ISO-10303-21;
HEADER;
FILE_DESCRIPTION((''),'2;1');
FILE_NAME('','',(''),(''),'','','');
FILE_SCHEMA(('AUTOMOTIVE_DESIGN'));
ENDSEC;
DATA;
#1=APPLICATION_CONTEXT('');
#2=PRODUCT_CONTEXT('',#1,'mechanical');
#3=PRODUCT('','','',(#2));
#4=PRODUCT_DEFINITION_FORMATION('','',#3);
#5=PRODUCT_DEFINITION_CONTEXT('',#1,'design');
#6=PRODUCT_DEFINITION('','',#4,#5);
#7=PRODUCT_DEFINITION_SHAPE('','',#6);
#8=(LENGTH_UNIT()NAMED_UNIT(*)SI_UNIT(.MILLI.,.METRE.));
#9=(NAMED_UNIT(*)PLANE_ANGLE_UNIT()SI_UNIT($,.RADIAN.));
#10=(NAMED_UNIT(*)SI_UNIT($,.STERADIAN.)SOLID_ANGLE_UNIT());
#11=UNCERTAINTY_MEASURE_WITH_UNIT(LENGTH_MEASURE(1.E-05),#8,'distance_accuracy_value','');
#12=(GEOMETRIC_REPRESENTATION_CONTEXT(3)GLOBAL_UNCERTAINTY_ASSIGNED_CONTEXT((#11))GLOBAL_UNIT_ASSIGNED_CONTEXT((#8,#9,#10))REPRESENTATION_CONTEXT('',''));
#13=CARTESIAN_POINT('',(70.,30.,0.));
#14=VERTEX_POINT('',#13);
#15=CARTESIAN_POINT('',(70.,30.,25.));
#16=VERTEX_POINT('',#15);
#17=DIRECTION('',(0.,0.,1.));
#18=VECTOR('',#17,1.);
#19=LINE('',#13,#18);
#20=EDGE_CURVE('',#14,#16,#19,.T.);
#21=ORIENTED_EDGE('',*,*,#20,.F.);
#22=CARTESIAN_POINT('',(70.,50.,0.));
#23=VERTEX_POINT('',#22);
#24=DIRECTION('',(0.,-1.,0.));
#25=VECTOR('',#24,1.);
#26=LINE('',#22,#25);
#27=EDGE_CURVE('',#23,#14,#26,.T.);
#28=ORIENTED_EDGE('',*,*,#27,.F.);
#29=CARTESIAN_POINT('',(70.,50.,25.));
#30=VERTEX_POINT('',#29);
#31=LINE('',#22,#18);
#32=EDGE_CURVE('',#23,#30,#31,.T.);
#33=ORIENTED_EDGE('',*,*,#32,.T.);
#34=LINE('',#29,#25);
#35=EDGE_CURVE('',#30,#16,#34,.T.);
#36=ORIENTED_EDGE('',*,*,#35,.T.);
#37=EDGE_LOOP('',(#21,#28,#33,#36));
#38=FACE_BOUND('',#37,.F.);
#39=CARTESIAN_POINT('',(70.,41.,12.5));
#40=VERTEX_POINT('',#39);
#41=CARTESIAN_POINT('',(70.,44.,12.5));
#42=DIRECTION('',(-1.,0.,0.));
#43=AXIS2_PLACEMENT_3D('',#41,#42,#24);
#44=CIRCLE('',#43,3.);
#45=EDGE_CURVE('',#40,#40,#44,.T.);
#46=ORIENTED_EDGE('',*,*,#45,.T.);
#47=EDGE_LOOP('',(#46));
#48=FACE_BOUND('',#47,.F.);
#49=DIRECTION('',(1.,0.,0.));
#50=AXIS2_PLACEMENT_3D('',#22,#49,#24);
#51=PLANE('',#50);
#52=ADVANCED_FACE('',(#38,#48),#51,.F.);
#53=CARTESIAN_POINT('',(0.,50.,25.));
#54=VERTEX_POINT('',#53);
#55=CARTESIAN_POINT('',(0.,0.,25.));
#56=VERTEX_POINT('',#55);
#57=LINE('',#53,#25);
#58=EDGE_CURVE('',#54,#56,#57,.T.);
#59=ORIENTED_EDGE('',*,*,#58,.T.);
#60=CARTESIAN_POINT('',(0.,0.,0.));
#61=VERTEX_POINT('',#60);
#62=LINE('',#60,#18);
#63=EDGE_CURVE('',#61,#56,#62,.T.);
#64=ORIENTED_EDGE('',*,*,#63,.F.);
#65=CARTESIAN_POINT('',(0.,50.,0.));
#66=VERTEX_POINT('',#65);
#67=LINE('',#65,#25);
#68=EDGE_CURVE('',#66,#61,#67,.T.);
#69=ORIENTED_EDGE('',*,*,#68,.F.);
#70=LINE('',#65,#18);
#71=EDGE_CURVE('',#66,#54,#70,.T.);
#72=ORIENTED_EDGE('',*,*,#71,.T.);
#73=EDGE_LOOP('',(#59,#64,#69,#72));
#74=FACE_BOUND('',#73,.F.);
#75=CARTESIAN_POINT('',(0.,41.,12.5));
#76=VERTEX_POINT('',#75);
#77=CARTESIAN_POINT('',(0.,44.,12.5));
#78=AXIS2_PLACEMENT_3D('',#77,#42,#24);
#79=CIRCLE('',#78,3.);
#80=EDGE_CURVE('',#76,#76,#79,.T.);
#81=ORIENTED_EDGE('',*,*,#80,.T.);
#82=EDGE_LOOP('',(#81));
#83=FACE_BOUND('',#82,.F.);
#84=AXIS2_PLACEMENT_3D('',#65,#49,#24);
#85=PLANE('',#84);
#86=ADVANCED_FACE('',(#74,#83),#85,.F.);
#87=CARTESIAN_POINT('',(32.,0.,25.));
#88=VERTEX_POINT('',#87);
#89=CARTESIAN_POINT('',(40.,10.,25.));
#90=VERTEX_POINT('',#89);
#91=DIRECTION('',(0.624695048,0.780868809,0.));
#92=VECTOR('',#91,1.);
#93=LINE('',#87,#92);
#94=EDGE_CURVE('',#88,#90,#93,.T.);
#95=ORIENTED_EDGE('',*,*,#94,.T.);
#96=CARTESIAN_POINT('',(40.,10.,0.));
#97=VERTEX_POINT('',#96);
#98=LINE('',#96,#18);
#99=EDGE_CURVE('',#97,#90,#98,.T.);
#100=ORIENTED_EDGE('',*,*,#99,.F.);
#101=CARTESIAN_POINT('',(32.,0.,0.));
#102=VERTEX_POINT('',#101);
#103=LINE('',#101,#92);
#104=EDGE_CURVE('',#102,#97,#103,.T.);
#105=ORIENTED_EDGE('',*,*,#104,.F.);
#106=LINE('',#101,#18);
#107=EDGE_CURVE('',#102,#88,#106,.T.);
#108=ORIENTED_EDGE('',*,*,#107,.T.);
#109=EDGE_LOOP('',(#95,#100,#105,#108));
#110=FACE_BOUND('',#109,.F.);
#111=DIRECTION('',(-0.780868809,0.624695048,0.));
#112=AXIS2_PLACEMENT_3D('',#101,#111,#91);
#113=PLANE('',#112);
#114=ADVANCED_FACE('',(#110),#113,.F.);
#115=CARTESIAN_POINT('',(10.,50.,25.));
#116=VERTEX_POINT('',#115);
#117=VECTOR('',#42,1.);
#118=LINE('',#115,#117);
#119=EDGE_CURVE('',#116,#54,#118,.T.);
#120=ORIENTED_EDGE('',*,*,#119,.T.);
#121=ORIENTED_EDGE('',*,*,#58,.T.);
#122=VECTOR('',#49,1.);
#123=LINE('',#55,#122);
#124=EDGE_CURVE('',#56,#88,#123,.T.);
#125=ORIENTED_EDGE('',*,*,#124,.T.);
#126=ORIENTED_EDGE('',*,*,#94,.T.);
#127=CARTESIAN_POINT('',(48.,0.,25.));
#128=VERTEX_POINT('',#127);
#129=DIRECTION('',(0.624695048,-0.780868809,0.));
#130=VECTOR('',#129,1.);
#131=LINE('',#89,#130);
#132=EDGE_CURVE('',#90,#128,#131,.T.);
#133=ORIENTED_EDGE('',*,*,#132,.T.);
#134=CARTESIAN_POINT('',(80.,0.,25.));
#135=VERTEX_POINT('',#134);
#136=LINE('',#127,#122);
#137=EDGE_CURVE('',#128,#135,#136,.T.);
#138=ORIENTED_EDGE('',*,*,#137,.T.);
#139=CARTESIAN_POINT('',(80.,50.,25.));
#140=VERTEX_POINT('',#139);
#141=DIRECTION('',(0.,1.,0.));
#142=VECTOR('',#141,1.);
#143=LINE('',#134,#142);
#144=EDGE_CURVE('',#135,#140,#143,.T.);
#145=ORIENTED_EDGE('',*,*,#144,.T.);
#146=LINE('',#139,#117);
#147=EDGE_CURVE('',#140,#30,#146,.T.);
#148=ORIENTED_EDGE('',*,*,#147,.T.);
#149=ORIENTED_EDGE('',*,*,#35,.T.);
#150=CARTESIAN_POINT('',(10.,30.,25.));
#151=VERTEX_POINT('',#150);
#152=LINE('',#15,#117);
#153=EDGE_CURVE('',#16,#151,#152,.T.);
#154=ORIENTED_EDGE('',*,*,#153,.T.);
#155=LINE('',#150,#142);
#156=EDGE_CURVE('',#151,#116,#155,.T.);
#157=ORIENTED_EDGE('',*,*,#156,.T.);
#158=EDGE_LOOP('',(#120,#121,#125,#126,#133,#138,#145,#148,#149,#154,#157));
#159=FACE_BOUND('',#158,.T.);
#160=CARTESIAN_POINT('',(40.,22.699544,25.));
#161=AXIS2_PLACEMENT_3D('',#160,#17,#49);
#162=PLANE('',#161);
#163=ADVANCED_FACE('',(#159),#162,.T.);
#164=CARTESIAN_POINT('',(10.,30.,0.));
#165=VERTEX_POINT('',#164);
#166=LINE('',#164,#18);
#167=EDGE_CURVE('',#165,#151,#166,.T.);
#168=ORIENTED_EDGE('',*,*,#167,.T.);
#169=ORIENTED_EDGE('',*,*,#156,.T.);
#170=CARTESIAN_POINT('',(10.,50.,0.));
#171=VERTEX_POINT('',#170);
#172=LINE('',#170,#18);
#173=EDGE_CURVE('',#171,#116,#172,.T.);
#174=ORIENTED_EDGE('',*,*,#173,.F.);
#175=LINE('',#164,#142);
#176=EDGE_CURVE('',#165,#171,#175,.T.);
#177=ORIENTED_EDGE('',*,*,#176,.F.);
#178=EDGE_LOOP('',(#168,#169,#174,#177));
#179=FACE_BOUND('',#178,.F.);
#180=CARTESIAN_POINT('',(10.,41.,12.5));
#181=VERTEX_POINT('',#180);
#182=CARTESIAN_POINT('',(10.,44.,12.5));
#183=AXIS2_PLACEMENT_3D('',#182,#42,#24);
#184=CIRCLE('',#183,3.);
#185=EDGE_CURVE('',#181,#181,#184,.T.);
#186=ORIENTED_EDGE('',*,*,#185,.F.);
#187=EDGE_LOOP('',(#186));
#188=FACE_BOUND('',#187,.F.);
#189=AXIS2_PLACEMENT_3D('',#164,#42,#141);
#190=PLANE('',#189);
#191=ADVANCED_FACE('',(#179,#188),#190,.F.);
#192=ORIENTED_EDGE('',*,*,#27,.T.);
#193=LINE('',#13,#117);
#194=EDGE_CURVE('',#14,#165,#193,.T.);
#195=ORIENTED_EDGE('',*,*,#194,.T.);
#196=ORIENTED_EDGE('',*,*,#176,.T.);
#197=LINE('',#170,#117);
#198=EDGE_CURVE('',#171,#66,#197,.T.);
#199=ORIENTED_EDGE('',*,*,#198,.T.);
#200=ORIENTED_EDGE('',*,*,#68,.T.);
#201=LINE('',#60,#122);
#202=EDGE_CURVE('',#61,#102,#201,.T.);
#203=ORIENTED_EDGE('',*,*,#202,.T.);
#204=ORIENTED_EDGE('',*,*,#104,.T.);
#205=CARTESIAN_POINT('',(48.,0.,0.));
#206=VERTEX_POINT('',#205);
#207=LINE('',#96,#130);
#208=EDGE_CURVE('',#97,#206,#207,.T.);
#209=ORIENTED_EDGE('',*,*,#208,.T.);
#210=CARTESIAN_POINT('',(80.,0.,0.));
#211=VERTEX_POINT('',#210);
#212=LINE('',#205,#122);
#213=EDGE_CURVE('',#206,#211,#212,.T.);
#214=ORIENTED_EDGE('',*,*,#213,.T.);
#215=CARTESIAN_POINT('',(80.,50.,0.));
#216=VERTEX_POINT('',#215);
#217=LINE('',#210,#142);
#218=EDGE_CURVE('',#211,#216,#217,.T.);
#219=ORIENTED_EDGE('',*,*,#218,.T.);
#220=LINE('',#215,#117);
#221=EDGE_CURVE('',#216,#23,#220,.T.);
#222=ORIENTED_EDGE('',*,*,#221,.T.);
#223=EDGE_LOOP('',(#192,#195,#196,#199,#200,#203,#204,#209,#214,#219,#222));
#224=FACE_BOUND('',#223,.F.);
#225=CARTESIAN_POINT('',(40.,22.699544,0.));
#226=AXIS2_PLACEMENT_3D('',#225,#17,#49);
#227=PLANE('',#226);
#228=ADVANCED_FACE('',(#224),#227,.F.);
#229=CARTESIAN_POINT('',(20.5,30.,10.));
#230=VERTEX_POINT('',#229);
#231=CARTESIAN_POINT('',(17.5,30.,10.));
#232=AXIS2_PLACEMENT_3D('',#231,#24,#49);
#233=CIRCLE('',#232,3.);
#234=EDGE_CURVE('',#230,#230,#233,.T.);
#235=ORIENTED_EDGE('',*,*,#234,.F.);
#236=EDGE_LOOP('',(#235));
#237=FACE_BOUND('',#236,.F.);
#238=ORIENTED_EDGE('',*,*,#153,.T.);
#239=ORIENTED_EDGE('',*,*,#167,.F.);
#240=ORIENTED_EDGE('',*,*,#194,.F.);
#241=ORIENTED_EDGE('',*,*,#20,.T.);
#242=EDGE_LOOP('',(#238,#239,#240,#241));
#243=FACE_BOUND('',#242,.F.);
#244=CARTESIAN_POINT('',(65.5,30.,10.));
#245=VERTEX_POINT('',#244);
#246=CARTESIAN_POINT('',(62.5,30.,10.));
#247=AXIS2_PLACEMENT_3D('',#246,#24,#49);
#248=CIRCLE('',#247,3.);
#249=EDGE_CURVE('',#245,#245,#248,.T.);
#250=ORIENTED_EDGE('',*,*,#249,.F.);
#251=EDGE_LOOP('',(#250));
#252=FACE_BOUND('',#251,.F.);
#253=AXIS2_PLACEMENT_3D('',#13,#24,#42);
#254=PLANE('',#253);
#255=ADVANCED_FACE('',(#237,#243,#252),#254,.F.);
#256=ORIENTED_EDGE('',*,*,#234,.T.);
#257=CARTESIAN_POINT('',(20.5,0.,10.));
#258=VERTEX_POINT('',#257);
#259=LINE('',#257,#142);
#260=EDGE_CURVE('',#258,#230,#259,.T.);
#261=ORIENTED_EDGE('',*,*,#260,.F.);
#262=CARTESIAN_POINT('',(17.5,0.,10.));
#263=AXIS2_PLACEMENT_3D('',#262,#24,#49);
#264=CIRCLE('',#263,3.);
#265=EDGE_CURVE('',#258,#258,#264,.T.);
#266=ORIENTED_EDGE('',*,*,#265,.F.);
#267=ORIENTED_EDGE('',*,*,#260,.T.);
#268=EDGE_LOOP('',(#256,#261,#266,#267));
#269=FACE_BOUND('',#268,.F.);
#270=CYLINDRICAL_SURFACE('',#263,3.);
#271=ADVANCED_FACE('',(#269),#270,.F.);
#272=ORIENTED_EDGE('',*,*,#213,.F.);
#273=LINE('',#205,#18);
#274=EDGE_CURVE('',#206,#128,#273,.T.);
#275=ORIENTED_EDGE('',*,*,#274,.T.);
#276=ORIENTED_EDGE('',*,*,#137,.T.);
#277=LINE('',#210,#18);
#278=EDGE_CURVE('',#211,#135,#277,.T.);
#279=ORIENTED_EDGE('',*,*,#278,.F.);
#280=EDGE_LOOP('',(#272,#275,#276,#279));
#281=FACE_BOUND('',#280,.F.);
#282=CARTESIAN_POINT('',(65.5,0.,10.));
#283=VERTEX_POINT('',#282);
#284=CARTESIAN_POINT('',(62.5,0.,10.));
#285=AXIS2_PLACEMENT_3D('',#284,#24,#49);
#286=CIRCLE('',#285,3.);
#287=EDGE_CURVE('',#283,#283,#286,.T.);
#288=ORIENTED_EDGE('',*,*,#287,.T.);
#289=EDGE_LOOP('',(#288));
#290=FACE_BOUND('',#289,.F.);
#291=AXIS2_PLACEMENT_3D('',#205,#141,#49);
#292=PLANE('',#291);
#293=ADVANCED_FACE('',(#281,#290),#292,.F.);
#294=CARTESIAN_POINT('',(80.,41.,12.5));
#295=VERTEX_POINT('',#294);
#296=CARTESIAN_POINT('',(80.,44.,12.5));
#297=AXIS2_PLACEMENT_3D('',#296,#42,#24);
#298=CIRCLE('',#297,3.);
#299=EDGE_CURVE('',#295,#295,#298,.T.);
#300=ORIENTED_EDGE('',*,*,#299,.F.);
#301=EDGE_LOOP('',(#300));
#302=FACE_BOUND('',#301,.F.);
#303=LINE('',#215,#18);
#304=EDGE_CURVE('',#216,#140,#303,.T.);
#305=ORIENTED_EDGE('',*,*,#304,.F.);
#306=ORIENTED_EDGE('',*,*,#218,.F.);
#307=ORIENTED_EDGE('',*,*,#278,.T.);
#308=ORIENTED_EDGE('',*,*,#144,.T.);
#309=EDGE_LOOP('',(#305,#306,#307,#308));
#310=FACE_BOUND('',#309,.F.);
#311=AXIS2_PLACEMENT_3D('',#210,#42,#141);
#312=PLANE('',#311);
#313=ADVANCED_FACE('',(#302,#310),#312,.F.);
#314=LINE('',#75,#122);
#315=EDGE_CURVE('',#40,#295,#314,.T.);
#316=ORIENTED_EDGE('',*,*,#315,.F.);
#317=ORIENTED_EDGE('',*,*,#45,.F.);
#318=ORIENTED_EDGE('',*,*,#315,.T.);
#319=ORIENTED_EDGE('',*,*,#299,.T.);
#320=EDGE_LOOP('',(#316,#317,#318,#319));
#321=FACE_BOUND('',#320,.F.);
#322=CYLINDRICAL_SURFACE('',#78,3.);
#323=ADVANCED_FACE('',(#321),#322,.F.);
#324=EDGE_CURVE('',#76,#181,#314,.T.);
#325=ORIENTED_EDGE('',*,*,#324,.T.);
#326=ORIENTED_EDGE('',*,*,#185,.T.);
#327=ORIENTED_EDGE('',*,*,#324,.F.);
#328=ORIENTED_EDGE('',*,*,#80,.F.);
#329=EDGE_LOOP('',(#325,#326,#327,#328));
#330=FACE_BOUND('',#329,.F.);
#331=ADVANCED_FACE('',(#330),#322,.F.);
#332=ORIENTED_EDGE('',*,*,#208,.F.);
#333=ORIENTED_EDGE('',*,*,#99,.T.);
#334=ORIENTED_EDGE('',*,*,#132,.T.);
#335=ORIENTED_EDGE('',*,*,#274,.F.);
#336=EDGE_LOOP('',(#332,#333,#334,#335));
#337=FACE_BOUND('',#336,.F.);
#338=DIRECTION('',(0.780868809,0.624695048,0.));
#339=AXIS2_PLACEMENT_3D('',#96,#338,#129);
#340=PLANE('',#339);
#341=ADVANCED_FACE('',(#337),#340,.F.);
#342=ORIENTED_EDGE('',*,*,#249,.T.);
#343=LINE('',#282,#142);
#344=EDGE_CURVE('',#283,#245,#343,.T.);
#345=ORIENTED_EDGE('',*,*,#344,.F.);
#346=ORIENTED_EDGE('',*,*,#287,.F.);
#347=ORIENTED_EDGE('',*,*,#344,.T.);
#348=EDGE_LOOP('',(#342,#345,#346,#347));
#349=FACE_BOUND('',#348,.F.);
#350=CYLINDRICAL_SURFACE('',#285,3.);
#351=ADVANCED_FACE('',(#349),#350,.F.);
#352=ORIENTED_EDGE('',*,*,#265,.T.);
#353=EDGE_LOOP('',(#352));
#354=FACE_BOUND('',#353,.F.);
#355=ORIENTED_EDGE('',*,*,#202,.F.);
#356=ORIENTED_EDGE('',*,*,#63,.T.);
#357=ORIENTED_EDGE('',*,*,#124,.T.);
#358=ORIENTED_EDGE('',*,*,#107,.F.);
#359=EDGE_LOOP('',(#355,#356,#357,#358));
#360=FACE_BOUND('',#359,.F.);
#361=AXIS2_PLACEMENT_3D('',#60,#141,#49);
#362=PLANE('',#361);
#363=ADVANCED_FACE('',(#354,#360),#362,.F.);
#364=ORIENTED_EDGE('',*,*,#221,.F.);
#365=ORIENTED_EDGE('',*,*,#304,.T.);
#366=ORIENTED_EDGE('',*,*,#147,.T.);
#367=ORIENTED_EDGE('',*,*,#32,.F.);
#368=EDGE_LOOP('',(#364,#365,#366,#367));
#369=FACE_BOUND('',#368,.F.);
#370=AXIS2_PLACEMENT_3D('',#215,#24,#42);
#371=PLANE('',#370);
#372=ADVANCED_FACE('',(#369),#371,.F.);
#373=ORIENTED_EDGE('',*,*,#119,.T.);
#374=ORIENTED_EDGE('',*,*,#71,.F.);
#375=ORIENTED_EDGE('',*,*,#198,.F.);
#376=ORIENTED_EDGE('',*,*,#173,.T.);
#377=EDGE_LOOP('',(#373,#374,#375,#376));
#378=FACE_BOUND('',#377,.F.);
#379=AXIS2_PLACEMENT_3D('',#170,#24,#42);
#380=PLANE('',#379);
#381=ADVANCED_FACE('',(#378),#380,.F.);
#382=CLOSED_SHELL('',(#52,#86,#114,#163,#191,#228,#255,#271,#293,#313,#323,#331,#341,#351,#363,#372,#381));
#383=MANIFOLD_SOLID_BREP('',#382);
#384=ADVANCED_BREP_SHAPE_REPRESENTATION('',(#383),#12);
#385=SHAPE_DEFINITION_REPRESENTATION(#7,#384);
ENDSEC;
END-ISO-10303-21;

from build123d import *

# Parameters (mm, degrees)
F1_DEPTH = 25
F2_R     = 3
F3_DEPTH = 50.001
F4_R     = 3
F5_DEPTH = 80.001


with BuildPart() as f1:
    # F0 (on Top) → F1 (new body)
    with BuildSketch(Plane.XY):
        Polygon((10, 50), (0, 50), (0, 0), (32, 0), (40, 10), (48, 0), (80, 0), (80, 50), (70, 50), (70, 30), (10, 30), align=None)
    extrude(amount=F1_DEPTH)

    # F2 (on face) → F3 (cut, through all)
    with BuildSketch(Plane.XZ):
        with Locations((17.5, 10)):
            Circle(F2_R)
        with Locations((62.5, 10)):
            Circle(F2_R)
    extrude(amount=-F3_DEPTH, mode=Mode.SUBTRACT)

    # F4 (on face) → F5 (cut, through all)
    with BuildSketch(Plane(origin=(0, 0, 0), x_dir=(0, -1, 0), z_dir=(-1, 0, 0))):
        with Locations((-44, 12.5)):
            Circle(F4_R)
    extrude(amount=-F5_DEPTH, mode=Mode.SUBTRACT)


solid = f1.part
